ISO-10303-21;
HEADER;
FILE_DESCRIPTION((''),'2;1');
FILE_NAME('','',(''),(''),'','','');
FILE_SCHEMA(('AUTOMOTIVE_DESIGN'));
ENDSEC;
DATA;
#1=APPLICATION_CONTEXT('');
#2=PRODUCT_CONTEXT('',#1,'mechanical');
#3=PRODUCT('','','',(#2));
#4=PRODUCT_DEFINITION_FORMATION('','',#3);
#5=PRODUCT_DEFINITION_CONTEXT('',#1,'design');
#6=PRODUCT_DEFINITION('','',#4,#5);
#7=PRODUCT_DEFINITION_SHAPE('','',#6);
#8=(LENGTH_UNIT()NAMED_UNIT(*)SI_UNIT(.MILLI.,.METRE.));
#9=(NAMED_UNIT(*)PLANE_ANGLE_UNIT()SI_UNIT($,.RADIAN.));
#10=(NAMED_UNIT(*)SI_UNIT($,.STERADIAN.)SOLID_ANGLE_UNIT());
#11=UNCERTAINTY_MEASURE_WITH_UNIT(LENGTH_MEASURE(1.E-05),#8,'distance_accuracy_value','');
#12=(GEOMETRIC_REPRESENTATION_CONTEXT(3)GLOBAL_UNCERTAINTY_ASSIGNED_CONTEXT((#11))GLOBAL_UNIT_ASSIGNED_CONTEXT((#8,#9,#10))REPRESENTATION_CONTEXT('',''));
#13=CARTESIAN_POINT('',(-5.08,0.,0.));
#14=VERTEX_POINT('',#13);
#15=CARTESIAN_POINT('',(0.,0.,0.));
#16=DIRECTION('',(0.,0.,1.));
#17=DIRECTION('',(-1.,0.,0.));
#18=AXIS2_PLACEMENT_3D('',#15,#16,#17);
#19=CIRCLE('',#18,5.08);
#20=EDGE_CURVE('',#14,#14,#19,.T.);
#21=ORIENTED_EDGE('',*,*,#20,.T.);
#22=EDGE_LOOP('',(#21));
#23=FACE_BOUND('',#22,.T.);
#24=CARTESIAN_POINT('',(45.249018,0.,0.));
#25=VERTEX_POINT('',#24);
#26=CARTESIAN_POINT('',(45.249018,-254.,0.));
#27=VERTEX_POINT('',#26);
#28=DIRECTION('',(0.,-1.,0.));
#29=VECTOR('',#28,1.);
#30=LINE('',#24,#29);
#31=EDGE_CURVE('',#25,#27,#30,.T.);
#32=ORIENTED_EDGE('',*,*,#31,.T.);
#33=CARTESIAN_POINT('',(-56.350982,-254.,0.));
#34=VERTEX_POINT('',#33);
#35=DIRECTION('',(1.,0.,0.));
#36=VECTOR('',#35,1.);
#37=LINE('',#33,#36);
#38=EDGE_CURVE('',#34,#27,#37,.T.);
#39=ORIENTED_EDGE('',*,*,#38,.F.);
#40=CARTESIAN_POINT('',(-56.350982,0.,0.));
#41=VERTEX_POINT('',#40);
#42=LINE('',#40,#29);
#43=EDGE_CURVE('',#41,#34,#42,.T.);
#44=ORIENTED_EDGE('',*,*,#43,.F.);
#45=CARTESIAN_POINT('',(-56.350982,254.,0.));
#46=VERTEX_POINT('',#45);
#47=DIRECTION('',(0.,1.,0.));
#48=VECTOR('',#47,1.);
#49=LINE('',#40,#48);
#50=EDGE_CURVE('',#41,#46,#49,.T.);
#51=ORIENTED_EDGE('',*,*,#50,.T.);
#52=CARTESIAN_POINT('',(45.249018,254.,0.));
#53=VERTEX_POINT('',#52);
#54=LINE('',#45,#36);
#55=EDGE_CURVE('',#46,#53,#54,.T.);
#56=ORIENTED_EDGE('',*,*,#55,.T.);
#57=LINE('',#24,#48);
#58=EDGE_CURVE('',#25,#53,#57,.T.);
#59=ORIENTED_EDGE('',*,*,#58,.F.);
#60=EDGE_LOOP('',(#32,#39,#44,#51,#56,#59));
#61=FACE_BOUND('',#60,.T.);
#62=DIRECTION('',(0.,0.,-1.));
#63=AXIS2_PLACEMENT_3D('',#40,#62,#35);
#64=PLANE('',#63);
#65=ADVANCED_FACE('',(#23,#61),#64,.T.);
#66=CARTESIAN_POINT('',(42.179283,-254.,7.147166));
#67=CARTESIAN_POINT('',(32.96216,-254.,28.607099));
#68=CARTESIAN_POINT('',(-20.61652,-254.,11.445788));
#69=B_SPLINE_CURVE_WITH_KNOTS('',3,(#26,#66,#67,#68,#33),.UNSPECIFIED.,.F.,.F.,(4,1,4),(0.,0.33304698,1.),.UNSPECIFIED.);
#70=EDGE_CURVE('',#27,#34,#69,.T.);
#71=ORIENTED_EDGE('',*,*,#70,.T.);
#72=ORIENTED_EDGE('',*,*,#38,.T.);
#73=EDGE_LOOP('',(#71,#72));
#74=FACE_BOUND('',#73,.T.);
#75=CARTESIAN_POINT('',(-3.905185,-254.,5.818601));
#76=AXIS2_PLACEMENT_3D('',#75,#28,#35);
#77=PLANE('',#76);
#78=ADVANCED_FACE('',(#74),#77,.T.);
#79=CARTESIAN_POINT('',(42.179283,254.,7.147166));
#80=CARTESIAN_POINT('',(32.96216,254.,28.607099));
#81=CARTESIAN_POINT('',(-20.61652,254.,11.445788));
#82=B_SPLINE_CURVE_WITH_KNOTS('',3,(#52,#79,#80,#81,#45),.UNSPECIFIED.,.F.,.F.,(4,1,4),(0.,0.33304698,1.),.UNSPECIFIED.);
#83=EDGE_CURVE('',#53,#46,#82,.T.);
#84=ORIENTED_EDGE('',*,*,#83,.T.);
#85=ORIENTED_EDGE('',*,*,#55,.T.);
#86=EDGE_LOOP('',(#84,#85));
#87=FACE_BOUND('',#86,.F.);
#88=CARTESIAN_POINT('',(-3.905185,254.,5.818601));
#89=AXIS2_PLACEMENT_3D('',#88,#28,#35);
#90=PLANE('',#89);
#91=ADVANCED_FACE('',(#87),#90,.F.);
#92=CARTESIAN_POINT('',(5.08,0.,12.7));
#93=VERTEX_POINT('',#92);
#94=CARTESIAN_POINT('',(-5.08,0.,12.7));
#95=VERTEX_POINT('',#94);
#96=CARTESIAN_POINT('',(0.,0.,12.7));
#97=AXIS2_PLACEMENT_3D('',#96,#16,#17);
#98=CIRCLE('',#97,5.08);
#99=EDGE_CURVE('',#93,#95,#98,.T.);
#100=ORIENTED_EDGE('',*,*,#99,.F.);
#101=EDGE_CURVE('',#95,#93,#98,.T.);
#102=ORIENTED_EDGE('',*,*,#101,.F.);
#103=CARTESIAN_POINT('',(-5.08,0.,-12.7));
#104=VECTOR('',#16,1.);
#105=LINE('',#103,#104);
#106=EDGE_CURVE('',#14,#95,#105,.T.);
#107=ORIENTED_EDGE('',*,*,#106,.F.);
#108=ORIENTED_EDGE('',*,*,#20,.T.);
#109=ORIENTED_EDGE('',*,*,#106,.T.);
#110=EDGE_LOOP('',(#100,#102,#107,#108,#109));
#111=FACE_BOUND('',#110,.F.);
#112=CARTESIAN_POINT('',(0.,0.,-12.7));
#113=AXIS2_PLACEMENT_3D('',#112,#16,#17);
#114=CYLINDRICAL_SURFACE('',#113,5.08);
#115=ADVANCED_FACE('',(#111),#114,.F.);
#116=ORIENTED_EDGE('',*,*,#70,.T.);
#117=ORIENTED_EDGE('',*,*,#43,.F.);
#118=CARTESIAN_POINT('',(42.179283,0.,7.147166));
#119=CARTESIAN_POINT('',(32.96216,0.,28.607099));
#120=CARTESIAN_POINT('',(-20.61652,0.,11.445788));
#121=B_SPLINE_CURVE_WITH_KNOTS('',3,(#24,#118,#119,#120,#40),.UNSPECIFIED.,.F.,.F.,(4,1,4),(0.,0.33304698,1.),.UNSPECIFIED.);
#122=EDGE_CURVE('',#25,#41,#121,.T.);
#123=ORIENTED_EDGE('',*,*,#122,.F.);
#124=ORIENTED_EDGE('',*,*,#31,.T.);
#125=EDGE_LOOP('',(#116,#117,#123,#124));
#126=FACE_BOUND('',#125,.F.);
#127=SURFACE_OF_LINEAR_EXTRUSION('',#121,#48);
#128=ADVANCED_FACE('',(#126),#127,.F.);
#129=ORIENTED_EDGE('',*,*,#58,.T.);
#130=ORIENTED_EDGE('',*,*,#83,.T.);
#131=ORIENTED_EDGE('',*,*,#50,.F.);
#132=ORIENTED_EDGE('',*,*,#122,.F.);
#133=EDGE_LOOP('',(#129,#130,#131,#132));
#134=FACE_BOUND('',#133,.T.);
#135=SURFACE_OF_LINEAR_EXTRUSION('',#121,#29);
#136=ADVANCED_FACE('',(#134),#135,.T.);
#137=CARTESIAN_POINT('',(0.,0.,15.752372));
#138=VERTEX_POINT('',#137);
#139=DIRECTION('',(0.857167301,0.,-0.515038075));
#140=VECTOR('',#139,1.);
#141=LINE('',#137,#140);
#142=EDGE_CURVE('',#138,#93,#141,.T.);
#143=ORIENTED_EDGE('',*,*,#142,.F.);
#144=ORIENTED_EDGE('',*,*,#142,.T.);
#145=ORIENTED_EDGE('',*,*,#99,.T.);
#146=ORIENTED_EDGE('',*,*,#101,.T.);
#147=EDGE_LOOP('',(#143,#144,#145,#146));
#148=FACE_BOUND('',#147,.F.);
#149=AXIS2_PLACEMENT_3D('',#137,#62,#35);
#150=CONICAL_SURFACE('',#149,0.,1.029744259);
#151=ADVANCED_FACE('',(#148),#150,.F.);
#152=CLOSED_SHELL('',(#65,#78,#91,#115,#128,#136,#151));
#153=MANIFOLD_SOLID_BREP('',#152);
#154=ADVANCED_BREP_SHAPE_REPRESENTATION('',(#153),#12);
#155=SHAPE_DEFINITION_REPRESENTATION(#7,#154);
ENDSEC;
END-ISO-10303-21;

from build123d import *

# Parameters (mm, degrees)
F1_DEPTH = 254
F3_D     = 10.16
F3_DEPTH = 12.7
F3_TIP   = 3.0523719447


with BuildPart() as f1:
    # F0 (on Front) → F1 (new body, symmetric)
    with BuildSketch(Plane.XZ):
        with BuildLine():
            add(Edge.make_bspline(
                [(45.2490176511, 0), (42.1792826341, 7.1471659187), (32.9621595343, 28.6070990142), (-20.6165201509, 11.4457881199), (-56.3509823489, 0)],
                knots=[0, 0, 0, 0, 0.3330469805, 1, 1, 1, 1], degree=3))
            Line((-56.3509823489, 0), (45.2490176511, 0))
        make_face()
    extrude(amount=F1_DEPTH, both=True)

    # F3
    with Locations(Plane(origin=(0, 0, 0), x_dir=(1, 0, 0), z_dir=(0, 0, -1))):
        with Locations((0, 0)):
            Hole(F3_D / 2, depth=F3_DEPTH)
            with Locations((0, 0, -(F3_DEPTH + F3_TIP / 2))):  # 118° drill point
                Cone(0, F3_D / 2, F3_TIP, mode=Mode.SUBTRACT)


solid = f1.part
